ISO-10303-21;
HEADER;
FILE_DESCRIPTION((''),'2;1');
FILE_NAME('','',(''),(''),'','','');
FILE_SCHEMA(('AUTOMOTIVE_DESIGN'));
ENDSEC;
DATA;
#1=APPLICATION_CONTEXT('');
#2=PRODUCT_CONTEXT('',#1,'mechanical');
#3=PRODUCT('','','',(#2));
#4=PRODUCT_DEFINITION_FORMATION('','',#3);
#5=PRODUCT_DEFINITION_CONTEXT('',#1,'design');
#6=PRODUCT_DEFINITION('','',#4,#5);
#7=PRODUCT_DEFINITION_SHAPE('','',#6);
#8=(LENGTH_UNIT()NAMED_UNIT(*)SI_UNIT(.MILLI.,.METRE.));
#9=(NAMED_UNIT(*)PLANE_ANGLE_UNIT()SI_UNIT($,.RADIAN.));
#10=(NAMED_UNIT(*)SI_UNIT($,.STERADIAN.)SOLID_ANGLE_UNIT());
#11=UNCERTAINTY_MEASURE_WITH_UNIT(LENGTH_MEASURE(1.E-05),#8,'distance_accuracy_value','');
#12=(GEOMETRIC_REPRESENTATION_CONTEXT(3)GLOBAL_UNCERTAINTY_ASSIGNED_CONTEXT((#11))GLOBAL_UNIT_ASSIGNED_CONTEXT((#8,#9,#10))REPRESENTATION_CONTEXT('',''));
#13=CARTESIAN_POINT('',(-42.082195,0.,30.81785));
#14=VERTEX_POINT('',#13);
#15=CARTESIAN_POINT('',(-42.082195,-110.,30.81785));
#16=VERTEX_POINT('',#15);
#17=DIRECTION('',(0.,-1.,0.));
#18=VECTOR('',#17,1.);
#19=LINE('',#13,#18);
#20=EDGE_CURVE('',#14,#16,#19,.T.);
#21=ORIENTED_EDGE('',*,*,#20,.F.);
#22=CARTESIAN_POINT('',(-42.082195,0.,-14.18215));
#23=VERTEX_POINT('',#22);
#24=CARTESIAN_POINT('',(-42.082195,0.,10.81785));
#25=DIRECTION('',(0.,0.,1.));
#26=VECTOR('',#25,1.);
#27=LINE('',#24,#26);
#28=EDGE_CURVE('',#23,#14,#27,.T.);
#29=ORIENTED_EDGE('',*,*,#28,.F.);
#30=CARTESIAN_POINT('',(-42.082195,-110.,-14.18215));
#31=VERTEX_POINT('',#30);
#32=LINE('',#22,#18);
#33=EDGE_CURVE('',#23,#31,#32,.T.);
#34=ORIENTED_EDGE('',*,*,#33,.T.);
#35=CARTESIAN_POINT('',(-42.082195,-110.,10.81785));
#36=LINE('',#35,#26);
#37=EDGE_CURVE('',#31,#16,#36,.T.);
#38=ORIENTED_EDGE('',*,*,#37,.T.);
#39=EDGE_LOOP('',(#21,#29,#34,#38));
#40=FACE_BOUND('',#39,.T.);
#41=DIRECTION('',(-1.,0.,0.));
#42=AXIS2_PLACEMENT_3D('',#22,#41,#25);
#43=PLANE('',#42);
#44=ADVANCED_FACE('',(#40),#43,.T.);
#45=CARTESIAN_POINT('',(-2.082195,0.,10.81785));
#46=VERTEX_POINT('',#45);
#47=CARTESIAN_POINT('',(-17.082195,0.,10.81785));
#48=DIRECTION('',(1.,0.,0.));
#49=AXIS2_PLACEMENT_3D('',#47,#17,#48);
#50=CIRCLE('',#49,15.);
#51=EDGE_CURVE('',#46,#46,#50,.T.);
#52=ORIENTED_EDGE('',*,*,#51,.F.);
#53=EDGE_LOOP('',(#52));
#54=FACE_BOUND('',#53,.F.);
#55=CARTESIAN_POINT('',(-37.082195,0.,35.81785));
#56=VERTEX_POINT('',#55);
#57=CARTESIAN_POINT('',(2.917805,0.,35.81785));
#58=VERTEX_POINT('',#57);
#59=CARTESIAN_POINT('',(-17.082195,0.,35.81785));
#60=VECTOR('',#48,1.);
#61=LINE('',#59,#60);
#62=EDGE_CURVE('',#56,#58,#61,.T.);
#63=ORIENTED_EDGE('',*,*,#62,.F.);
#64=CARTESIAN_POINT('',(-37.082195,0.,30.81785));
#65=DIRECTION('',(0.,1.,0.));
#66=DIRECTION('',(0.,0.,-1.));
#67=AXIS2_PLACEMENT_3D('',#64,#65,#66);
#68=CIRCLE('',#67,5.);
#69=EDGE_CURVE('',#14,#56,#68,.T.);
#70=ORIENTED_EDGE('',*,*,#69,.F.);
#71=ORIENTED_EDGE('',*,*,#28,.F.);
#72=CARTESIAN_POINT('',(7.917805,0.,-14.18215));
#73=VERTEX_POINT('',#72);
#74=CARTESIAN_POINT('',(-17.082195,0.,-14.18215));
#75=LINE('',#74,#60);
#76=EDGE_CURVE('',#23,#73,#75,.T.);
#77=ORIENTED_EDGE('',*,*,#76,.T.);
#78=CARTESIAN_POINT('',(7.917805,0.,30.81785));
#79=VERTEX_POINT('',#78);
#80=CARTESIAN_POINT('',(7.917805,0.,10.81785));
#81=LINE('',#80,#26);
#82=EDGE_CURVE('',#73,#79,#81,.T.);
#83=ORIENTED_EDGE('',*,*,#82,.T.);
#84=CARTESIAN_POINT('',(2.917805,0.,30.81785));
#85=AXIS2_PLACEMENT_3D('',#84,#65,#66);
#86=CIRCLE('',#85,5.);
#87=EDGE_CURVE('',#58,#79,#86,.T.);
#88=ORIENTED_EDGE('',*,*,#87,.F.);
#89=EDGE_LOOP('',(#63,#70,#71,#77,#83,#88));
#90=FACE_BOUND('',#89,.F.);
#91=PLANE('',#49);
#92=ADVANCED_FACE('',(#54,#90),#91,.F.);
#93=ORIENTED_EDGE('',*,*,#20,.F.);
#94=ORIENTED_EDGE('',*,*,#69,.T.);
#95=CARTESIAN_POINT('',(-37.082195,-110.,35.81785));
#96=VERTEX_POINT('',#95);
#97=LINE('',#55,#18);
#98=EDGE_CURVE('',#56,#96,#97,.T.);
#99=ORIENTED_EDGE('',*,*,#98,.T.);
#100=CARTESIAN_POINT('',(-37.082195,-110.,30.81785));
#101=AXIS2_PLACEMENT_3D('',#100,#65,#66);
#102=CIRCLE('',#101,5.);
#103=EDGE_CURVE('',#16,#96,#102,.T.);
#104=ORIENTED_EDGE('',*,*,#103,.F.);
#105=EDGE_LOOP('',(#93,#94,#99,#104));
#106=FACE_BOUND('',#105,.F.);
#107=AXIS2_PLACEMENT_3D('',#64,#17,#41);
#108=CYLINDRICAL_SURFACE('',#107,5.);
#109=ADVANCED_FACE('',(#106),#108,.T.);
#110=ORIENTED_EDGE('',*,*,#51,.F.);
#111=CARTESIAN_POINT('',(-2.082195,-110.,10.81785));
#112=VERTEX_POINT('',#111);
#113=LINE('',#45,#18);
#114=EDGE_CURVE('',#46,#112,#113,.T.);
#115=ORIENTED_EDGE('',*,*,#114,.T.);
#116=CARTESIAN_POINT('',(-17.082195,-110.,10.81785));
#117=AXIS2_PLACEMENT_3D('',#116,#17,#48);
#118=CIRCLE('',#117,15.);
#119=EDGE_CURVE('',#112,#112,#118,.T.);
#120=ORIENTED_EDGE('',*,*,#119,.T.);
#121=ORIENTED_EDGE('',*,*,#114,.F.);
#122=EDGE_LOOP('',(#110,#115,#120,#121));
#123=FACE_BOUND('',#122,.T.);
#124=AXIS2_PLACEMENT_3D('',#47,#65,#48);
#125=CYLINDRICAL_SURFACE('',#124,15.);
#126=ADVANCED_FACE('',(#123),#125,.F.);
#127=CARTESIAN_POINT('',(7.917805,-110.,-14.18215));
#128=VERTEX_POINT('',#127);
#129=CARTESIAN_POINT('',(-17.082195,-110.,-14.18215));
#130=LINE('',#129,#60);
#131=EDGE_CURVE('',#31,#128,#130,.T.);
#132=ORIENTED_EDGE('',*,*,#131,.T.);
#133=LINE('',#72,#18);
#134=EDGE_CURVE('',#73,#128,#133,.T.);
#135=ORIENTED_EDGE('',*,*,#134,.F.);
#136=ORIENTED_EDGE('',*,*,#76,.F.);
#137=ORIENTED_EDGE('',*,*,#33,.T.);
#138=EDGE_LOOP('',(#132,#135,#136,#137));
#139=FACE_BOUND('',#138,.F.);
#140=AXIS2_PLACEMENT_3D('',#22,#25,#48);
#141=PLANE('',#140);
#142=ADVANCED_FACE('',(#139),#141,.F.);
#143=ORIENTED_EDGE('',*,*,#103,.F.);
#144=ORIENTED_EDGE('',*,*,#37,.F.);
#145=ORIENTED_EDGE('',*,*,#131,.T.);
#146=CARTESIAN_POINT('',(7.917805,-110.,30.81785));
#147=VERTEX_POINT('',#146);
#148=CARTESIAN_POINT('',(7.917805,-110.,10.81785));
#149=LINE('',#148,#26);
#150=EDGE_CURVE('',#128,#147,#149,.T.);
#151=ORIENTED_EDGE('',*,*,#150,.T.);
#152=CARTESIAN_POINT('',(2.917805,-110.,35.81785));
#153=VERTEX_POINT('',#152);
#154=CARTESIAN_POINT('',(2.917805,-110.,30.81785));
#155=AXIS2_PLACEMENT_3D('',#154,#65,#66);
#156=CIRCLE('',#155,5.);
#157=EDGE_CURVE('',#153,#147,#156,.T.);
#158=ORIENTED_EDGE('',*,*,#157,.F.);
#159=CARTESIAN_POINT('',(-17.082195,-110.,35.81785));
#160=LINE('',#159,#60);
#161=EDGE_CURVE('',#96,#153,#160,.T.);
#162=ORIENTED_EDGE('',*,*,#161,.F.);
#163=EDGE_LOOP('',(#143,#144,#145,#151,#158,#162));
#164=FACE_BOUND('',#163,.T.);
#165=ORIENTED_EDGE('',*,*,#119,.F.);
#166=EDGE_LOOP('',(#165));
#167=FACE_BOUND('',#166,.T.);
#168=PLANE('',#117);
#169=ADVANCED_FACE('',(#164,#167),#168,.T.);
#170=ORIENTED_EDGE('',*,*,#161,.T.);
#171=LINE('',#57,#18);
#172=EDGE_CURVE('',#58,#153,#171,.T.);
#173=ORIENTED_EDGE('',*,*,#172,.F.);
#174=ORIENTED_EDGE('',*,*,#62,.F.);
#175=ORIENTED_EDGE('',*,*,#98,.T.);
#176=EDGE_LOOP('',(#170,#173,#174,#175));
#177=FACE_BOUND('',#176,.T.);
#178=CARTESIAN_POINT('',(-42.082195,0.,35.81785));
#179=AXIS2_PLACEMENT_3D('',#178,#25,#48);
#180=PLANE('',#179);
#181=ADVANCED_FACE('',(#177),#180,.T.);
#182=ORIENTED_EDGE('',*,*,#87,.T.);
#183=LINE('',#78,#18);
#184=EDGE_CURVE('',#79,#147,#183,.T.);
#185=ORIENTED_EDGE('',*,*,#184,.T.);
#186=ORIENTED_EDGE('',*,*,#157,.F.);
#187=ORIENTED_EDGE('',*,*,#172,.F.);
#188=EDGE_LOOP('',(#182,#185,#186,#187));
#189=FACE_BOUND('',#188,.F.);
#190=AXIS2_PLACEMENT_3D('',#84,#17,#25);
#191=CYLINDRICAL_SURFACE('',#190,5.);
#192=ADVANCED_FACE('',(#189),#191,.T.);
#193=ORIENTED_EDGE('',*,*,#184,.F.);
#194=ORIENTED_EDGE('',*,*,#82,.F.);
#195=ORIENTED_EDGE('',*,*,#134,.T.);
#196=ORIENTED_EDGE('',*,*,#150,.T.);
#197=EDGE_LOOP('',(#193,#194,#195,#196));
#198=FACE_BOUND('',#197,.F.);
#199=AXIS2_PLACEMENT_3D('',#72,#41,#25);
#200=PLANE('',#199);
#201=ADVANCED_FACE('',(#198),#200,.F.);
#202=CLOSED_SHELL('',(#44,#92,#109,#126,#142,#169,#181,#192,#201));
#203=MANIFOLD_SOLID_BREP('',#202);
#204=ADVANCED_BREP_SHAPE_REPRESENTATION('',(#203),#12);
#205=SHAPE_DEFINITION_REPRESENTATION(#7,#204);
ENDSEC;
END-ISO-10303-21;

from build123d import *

# Parameters (mm, degrees)
F0_W     = 50
F0_H     = 50
F0_R     = 15
F1_DEPTH = 110
F2_R     = 5


with BuildPart() as f1:
    # F0 (on Front) → F1 (new body)
    with BuildSketch(Plane.XZ):
        with Locations((-17.082195, 10.81785)):
            Rectangle(F0_W, F0_H)
        with Locations((-17.082195, 10.81785)):
            Circle(F0_R, mode=Mode.SUBTRACT)
    extrude(amount=F1_DEPTH)

    # F2
    f2_edges = [f1.edges().sort_by_distance(p)[0] for p in [
        (7.917805, -55, 35.81785),
        (-42.082195, -55, 35.81785),
    ]]
    fillet(f2_edges, radius=F2_R)


solid = f1.part
